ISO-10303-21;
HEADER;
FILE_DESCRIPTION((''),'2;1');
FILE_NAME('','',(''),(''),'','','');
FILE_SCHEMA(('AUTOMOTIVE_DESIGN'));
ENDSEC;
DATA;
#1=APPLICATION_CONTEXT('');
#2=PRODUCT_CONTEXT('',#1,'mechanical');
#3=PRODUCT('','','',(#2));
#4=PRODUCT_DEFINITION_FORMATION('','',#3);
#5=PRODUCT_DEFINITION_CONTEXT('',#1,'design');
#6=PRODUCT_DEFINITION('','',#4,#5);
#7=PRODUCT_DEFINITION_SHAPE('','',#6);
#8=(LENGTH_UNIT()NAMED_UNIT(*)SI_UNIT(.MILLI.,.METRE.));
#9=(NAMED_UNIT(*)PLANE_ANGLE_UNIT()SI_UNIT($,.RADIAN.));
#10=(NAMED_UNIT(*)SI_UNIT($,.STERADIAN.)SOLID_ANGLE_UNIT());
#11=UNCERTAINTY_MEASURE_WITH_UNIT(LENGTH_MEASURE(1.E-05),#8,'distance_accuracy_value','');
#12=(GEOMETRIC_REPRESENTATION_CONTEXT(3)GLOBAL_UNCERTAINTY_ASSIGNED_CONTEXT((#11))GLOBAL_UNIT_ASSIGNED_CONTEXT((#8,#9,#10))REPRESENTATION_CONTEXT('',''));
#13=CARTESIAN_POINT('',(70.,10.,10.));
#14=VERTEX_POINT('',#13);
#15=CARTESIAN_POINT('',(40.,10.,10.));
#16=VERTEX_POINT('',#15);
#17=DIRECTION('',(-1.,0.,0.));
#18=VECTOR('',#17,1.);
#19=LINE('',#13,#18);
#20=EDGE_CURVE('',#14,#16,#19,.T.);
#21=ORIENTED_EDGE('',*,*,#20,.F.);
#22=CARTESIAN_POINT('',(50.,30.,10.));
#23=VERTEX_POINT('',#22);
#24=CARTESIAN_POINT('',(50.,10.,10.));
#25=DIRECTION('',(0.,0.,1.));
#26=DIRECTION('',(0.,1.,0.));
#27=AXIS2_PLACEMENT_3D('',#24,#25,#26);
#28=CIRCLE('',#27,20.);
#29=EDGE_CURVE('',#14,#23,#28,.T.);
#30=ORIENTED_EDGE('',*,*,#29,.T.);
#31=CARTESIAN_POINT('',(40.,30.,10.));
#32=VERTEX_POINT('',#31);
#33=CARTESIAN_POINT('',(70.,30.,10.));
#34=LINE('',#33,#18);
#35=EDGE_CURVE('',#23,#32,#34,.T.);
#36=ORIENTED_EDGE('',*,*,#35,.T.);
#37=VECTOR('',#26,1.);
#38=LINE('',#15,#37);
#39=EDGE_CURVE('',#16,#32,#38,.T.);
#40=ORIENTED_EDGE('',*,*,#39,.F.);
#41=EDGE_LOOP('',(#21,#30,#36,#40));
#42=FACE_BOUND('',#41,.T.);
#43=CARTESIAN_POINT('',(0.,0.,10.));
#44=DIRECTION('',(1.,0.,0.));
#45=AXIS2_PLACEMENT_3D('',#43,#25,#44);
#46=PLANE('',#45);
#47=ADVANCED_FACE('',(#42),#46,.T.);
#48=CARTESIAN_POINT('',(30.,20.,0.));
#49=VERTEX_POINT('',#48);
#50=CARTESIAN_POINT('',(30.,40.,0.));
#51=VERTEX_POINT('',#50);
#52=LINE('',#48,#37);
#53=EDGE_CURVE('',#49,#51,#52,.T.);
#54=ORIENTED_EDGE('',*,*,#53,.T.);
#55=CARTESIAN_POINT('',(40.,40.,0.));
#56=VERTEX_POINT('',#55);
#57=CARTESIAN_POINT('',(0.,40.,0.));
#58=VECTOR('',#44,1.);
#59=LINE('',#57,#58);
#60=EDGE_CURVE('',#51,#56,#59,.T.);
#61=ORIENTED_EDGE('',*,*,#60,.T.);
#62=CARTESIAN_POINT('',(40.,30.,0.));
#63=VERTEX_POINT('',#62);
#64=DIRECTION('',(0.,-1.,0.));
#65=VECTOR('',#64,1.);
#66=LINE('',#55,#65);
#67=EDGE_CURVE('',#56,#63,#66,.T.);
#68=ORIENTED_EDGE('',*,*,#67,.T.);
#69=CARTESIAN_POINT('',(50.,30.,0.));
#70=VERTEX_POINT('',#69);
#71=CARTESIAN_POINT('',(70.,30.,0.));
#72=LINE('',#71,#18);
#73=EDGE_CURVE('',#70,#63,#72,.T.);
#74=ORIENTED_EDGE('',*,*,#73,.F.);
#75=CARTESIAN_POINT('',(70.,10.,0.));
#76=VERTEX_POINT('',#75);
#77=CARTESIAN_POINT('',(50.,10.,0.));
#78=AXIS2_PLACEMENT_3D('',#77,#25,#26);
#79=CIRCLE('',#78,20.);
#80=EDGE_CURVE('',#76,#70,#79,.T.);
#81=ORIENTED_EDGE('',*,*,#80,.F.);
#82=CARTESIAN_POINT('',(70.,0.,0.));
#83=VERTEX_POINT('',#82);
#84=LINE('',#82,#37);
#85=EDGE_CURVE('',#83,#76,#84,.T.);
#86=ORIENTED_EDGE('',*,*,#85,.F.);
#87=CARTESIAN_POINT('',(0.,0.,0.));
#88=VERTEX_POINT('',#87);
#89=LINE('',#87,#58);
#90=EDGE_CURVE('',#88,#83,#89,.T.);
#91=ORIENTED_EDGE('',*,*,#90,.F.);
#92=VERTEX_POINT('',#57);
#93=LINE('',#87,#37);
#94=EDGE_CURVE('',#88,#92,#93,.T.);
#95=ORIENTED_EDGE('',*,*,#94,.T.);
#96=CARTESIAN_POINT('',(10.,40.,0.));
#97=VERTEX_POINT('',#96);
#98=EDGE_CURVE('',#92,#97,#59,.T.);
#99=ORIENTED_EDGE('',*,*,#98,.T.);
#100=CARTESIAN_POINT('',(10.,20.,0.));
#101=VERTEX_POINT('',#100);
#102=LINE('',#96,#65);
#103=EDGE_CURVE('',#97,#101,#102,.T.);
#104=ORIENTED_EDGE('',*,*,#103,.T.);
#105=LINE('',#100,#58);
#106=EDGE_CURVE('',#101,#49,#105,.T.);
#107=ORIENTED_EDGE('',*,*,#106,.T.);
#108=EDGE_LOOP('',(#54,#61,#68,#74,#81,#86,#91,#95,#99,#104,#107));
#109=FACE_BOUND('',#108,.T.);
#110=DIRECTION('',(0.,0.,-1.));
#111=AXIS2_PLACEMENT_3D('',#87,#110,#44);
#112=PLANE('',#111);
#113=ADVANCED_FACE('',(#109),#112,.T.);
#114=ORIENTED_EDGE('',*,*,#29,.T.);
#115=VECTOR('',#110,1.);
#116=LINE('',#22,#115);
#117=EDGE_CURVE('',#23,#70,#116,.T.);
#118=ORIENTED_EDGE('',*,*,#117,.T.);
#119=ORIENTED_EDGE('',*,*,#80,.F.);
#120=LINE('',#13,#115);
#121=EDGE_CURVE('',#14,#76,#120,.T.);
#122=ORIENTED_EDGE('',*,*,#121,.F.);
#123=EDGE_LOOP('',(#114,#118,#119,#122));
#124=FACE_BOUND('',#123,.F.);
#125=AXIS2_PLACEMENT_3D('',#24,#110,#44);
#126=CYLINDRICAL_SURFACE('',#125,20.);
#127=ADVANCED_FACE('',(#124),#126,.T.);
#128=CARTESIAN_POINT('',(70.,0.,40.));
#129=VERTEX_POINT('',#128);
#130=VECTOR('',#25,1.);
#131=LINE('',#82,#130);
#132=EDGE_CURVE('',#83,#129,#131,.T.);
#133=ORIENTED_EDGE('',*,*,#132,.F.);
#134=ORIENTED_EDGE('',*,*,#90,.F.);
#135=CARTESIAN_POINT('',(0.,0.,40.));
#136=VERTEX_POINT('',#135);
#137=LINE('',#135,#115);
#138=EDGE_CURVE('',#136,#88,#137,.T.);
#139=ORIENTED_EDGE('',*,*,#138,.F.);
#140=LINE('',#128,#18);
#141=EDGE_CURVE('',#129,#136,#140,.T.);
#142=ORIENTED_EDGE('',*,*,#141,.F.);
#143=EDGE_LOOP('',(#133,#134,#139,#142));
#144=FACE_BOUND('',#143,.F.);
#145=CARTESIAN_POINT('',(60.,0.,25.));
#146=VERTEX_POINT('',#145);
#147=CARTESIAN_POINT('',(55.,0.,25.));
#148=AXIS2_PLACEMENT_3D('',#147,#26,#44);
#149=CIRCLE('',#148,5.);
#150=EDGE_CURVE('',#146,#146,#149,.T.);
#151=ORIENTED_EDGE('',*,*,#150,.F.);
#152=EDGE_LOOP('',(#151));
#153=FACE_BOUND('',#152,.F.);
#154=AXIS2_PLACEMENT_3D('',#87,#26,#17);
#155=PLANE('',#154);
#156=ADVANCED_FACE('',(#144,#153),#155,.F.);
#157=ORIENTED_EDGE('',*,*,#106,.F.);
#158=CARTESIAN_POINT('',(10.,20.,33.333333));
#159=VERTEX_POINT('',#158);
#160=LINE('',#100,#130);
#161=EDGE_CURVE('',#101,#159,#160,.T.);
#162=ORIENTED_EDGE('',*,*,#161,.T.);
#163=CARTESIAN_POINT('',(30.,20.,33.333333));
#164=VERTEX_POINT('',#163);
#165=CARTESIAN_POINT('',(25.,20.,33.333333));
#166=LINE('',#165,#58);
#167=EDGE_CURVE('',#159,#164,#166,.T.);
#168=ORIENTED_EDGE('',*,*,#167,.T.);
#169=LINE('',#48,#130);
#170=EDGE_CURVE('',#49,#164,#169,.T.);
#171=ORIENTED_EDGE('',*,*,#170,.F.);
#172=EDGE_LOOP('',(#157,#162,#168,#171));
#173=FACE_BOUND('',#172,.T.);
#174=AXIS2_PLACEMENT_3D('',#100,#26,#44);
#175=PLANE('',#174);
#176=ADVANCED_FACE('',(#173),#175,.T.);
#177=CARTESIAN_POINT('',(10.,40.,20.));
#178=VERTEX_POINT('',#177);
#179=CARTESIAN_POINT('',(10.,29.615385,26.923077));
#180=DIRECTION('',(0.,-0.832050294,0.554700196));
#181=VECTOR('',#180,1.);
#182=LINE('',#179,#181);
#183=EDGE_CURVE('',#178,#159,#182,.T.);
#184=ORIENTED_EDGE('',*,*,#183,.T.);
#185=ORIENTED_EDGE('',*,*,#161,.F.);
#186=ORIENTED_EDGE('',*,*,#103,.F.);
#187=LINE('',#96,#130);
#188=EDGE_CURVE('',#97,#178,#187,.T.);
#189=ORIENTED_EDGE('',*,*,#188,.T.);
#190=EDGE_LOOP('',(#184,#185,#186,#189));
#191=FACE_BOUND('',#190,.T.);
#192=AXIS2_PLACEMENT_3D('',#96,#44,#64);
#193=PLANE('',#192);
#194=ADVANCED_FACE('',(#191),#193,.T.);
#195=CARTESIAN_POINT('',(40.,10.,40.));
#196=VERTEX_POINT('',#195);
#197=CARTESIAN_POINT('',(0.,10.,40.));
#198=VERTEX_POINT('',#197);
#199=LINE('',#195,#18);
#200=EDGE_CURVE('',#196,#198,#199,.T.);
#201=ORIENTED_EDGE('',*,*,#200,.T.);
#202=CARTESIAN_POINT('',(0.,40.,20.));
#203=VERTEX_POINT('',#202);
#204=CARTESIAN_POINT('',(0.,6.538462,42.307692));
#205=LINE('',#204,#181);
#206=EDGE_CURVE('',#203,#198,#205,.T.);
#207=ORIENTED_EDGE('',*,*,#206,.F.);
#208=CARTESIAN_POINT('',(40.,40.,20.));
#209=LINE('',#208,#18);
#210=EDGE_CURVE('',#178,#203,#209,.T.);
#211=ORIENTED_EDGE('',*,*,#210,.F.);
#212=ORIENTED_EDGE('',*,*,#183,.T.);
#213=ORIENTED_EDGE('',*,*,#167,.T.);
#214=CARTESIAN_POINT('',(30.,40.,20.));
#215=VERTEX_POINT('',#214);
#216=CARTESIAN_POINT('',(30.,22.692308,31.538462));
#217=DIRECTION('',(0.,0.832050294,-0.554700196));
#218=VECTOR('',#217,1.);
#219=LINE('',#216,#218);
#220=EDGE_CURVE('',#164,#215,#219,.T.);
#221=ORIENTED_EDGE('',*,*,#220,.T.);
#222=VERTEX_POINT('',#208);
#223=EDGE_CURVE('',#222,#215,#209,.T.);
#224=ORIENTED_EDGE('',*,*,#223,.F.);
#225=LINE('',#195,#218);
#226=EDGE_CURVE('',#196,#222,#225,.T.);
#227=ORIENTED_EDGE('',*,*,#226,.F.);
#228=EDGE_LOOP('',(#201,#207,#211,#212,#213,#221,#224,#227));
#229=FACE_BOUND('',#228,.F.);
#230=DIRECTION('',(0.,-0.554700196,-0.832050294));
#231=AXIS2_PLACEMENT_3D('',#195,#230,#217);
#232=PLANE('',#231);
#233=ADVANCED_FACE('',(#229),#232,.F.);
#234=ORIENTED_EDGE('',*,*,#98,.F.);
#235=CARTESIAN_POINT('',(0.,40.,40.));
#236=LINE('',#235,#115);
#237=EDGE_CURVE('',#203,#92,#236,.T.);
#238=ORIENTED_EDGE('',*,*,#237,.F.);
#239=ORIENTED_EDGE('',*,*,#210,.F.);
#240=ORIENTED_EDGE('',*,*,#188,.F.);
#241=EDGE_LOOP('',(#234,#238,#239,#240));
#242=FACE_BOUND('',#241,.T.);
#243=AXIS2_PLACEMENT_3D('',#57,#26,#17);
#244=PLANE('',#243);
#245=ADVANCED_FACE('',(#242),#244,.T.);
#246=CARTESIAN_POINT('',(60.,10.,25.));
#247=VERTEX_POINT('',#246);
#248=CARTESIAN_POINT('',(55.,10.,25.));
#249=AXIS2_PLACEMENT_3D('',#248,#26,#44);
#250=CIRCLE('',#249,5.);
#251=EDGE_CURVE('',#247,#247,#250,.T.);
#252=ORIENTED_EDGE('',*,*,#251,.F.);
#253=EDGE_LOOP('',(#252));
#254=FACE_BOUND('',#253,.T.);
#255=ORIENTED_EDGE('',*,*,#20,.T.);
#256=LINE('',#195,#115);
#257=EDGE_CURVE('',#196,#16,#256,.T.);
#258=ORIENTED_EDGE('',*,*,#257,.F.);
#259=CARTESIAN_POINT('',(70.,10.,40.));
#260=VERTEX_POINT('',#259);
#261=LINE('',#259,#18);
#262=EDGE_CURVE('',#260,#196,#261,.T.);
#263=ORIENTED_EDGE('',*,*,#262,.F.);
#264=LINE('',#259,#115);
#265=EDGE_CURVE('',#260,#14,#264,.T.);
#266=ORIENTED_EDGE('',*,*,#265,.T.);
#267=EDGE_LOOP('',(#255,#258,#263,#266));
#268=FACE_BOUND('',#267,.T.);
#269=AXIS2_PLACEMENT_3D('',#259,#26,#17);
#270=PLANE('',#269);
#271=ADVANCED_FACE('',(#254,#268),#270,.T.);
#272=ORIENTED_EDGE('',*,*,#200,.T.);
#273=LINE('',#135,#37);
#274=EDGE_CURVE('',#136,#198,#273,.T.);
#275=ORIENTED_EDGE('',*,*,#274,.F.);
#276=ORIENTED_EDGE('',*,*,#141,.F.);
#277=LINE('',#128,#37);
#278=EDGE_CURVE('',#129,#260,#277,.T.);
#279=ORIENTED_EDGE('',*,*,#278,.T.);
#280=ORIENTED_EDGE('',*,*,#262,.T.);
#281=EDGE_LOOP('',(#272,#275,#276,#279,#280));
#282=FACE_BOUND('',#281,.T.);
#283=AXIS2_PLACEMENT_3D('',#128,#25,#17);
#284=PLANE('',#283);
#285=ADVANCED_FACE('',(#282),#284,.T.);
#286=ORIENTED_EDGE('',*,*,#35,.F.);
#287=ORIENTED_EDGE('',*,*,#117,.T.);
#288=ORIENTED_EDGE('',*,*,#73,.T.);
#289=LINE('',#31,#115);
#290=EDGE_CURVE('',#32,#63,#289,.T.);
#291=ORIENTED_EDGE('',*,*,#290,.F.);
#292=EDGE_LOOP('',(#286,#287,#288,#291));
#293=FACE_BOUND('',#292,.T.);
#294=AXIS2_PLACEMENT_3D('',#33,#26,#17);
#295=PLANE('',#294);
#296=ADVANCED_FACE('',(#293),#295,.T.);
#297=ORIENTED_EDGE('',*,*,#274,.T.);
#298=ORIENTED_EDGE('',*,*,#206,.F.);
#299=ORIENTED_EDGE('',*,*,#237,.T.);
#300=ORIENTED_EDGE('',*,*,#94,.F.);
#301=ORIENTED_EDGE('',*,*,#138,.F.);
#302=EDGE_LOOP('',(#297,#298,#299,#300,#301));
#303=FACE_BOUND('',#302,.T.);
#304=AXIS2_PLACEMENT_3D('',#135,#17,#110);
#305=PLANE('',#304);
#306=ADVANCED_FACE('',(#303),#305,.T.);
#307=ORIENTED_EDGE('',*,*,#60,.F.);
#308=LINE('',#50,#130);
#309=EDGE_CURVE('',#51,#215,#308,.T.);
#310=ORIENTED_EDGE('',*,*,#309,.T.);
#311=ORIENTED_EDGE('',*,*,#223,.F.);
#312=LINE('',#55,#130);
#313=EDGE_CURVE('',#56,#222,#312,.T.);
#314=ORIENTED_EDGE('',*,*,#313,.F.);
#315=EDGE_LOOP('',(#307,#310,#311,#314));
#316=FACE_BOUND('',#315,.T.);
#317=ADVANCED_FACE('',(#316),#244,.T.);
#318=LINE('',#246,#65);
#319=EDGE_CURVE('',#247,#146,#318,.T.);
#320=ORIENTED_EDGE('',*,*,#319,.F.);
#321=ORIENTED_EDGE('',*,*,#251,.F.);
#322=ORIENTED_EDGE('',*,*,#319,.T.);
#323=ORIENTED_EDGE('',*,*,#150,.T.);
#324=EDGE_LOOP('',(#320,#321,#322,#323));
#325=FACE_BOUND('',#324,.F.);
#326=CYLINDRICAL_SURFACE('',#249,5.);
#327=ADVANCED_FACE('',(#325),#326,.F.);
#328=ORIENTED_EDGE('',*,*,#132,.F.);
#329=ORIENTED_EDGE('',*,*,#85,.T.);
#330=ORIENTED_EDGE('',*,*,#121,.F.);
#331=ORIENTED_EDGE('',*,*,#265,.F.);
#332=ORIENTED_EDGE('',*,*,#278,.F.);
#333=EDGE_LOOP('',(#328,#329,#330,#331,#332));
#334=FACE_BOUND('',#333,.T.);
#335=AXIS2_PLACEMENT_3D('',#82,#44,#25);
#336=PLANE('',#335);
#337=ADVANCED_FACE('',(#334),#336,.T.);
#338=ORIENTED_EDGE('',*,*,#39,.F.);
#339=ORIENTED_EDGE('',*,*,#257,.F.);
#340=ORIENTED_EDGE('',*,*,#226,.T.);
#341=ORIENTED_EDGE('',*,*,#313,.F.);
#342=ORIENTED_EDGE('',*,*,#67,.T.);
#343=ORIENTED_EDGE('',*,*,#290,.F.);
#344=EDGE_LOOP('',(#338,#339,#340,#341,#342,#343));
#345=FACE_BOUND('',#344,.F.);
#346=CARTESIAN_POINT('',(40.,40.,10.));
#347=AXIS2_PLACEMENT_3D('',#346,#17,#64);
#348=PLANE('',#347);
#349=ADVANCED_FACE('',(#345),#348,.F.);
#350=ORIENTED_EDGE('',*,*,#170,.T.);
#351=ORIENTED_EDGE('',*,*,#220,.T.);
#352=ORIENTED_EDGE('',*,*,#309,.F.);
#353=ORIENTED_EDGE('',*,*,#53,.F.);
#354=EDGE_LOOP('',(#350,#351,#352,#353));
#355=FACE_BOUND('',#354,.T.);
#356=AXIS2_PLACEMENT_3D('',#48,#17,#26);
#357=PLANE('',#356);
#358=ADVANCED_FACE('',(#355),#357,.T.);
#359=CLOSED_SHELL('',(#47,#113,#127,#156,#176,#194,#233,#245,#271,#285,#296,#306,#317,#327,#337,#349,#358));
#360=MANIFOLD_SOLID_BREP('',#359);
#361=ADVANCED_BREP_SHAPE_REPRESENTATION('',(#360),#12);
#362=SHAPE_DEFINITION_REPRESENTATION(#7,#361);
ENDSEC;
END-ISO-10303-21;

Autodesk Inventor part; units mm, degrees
ref_plane "YZ Plane" through (0, 0, 0) normal (1, 0, 0) x (0, 1, 0)
ref_plane "XZ Plane" through (0, 0, 0) normal (0, 1, 0) x (-1, 0, 0)
ref_plane "XY Plane" through (0, 0, 0) normal (0, 0, 1) x (1, 0, 0)
sketch "草圖1" plane through (0, 0, 0) normal (0, 1, 0) x (-1, 0, 0)
  line L0 (0, 0) -> (-70, 0)
  line L1 (-70, 0) -> (-70, 40)
  line L2 (-70, 40) -> (0, 40)
  line L3 (0, 40) -> (0, 0)
  dimension "d0" = 70
  dimension "d1" = 40
extrude "擠出1" add sketch "草圖1" along normal blind 40
sketch "草圖2" plane through (0, 0, 40) normal (0, 0, 1) x (1, 0, 0)
  line L0 (0, 0) -> (0, 40) projected
  line L1 (0, 40) -> (70, 40) projected
  line L2 (70, 40) -> (70, 0) projected
  line L3 (70, 0) -> (0, 0) projected
  line L4 (70, 40) -> (0, 40) projected
  line L5 (40, 40) -> (70, 40)
  line L6 (70, 40) -> (70, 10)
  line L7 (70, 10) -> (40, 10)
  line L8 (40, 10) -> (40, 40)
  dimension "d4" = 10
  dimension "d5" = 30
extrude "擠出2" cut sketch "草圖2" against normal blind 30 contours L1 L2 L7 L8
sketch "草圖3" plane through (0, 0, 10) normal (0, 0, 1) x (1, 0, 0)
  line L0 (40, 40) -> (40, 10) projected
  line L1 (40, 10) -> (70, 10) projected
  line L2 (70, 40) -> (70, 10) projected
  line L3 (40, 40) -> (70, 40) projected
  line L4 (0, 40) -> (40, 40) projected
  line L5 (0, 0) -> (0, 40) projected
  line L6 (70, 0) -> (0, 0) projected
  line L7 (70, 10) -> (70, 0) projected
  line L8 (40, 40) -> (70, 40)
  line L9 (70, 40) -> (70, 30)
  line L10 (70, 30) -> (40, 30)
  line L11 (40, 30) -> (40, 40)
  point P0 (40, 30)
  dimension "d8" = 10
extrude "擠出3" cut sketch "草圖3" against normal blind 10 contours L3 L2 L10 L0
sketch "草圖4" plane through (40, 10, 40) normal (1, 0, 0) x (0, 0, -1)
  line L0 (0, 0) -> (30, 0) projected
  line L1 (30, 0) -> (30, 20) projected
  line L2 (30, 20) -> (40, 20) projected
  line L3 (40, 30) -> (40, 20) projected
  line L4 (0, 30) -> (40, 30) projected
  line L5 (0, 0) -> (0, 30) projected
  line L6 (0, -10) -> (0, 0) projected
  line L7 (40, -10) -> (0, -10) projected
  line L8 (40, 20) -> (40, -10) projected
  line L9 (0, 0) -> (20, 30)
  dimension "d11" = 20
extrude "擠出4" cut sketch "草圖4" against normal through all contours L5 L4 L9
sketch "草圖5" plane through (70, 0, 0) normal (0, 0, -1) x (-1, 0, 0)
  line L0 (0, 30) -> (30, 30) projected
  line L1 (30, 30) -> (30, 40) projected
  line L2 (30, 40) -> (70, 40) projected
  line L3 (70, 40) -> (70, 0) projected
  line L4 (70, 0) -> (0, 0) projected
  line L5 (0, 0) -> (0, 30) projected
  line L6 (40, 40) -> (60, 40)
  line L7 (60, 40) -> (60, 20)
  line L8 (60, 20) -> (40, 20)
  line L9 (40, 20) -> (40, 40)
  line L10 (30, 40) -> (70, 40) projected
  point P0 (50, 40)
  dimension "d14" = 20
  dimension "d15" = 20
extrude "擠出5" cut sketch "草圖5" against normal through all contours L2 L7 L8 L9
fillet "圓角1" radius 20 1 edges at (70, 30, 5)
sketch "草圖6" plane through (40, 10, 40) normal (0, 1, 0) x (1, 0, 0)
  line L0 (0, 0) -> (-40, 0) projected
  line L1 (-40, 0) -> (-40, 40) projected
  line L2 (-40, 40) -> (30, 40) projected
  line L3 (30, 40) -> (30, 30) projected
  line L4 (30, 30) -> (0, 30) projected
  line L5 (0, 30) -> (0, 0) projected
  line L6 (30, 0) -> (0, 0) projected
  line L7 (30, 30) -> (30, 0) projected
  circle A0 centre (15, 15) radius 5
  dimension "d19" = 10
  dimension "d20" = 15
  dimension "d21" = 15
extrude "擠出6" cut sketch "草圖6" against normal through all contours A0
properties part number "31" material "鋼、碳鋼"
